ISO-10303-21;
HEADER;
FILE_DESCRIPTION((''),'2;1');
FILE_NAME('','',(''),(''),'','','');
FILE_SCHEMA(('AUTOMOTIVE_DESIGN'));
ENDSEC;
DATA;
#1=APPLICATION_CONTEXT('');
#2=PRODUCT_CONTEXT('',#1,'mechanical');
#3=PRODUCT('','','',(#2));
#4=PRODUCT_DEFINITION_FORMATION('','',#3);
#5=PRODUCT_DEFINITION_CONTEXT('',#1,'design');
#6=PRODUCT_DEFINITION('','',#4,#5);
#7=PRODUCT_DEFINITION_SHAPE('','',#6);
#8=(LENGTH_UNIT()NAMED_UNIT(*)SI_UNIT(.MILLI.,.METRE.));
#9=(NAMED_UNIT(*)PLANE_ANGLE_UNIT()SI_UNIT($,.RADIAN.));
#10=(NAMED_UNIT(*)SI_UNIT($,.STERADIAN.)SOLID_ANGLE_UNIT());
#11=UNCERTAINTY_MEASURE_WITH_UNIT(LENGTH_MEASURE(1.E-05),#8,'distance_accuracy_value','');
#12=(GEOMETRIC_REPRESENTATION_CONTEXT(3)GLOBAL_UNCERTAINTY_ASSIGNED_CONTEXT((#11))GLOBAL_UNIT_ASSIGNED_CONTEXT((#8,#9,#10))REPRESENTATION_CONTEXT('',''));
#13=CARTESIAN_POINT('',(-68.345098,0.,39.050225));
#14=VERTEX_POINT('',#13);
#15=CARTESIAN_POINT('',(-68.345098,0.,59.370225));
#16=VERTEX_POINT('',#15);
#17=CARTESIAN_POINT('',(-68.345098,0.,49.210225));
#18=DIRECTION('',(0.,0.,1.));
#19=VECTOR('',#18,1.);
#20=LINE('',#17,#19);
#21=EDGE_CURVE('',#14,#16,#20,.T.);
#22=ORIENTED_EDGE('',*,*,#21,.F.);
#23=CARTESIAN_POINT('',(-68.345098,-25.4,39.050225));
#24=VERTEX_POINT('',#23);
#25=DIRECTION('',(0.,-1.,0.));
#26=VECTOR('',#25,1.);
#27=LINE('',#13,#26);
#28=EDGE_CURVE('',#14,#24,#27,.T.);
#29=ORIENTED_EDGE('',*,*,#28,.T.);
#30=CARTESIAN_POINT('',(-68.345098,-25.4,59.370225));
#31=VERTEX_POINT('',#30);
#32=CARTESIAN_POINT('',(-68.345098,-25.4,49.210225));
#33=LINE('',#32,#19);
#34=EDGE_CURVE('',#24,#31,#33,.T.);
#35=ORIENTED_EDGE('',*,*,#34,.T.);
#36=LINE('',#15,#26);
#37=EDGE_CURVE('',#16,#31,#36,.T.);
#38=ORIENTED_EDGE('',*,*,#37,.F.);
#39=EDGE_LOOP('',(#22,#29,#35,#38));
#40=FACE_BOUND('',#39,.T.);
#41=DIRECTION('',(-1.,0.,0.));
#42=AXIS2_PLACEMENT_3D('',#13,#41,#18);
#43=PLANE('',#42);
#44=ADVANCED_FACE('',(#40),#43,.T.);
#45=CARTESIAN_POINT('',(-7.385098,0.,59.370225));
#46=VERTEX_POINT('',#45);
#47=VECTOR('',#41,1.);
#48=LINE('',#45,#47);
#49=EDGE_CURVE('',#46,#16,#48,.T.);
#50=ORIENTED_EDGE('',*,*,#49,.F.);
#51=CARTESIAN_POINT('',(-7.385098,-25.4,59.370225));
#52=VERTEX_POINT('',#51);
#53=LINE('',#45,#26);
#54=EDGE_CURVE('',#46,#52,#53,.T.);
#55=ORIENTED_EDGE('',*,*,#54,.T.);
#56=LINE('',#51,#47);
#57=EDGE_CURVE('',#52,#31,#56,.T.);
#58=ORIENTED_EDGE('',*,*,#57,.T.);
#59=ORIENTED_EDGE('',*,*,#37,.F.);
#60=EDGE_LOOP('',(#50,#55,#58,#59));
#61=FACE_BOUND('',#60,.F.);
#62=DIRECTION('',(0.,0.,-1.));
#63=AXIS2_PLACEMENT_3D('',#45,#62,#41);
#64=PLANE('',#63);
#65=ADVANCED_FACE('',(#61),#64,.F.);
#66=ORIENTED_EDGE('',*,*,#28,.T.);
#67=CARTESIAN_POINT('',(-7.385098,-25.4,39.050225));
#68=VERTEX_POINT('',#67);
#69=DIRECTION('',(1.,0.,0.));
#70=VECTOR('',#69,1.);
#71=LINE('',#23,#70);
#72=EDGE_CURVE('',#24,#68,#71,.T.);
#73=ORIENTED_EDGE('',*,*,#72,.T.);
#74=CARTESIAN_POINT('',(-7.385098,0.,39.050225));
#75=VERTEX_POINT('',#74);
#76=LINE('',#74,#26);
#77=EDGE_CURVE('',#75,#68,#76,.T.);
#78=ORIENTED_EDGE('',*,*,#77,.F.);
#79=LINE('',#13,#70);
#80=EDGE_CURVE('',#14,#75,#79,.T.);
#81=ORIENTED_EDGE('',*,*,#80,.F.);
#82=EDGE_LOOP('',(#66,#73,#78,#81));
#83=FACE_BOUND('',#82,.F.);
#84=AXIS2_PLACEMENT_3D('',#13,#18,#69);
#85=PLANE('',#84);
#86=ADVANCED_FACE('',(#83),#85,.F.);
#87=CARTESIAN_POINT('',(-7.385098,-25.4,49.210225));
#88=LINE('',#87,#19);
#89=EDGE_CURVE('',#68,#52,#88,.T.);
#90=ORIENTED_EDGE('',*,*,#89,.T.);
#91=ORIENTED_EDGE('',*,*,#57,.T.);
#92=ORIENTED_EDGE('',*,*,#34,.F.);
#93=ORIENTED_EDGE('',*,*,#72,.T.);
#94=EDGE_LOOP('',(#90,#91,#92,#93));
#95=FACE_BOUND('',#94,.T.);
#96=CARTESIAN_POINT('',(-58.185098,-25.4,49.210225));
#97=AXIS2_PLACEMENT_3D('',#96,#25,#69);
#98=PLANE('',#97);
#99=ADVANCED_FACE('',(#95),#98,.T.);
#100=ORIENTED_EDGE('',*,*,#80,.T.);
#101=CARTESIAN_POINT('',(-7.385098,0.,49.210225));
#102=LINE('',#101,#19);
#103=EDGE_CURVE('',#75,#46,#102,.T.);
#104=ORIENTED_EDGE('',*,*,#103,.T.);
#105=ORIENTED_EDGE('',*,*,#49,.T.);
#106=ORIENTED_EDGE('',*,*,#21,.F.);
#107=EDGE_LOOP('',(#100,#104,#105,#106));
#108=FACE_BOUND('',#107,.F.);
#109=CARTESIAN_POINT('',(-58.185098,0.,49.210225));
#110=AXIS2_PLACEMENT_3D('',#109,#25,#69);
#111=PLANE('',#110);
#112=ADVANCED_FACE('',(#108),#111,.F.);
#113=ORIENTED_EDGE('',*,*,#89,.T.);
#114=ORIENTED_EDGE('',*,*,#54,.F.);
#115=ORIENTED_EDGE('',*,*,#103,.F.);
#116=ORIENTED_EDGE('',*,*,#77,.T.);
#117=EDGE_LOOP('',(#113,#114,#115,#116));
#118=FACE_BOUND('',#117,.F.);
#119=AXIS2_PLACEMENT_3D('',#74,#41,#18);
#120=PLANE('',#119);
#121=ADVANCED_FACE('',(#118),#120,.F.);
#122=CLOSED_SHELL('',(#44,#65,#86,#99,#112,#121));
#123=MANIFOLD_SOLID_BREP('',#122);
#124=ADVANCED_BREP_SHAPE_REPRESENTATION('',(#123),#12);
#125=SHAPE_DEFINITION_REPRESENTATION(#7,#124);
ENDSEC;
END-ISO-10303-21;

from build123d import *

# Parameters (mm, degrees)
F0_W      = 20.32
F0_H      = 20.32
F0_H_2    = 20.1290453446
F1_DEPTH  = 25.4
F3_W      = 20.32
F3_H      = 20.32
F4_DEPTH  = 25.4
F5_R      = 7.62
F6_DEPTH  = 25.4
F7_R      = 6.35
F8_DEPTH  = 25.4
F9_R      = 6.35
F10_DEPTH = 25.4
F11_R     = 6.35
F12_DEPTH = 25.4


with BuildPart() as f1:
    # F0 (on Front) → F1 (new body)
    with BuildSketch(Plane.XZ):
        with Locations((-50.8, 47.9523509699)):
            Rectangle(F0_W, F0_H)
        with Locations((-30.48, 47.9523509699)):
            Rectangle(F0_W, F0_H)
        with Locations((-50.8, 27.6323509699)):
            Rectangle(F0_W, F0_H)
        Polygon((-20.32, 37.7923509699), (-40.64, 37.7923509699), (-40.64, 17.4723509699), (-20.32, 17.4723509699), (-20.32, 17.6633056253), align=None)
        with Locations((-10.16, 47.9523509699)):
            Rectangle(F0_W, F0_H)
        with Locations((-10.16, 27.7278282976)):
            Rectangle(F0_W, F0_H_2)
    extrude(amount=F1_DEPTH)


with BuildPart() as f4:
    # F3 (on Front) → F4 (new body)
    with BuildSketch(Plane.XZ):
        with Locations((-58.185097698, 49.2102251685)):
            Rectangle(F3_W, F3_H)
        with Locations((-37.865097698, 49.2102251685)):
            Rectangle(F3_W, F3_H)
        with Locations((-17.545097698, 49.2102251685)):
            Rectangle(F3_W, F3_H)
    extrude(amount=F4_DEPTH)

    # F5 (on Front) → F6 (cut)
    with BuildSketch(Plane.XZ):
        with Locations((-58.5276037455, 48.9798672497)):
            Circle(F5_R)
        with Locations((-38.4773612022, 48.9798672497)):
            Circle(F5_R)
        with Locations((-17.4723509699, 48.9798672497)):
            Circle(F5_R)
    extrude(amount=-F6_DEPTH, mode=Mode.SUBTRACT)

    # F7 (on Front) → F8 (cut)
    with BuildSketch(Plane.XZ):
        with Locations((-58.5276037455, 49.3617765605)):
            Circle(F7_R)
        with Locations((-40.5778624117, 49.3617765605)):
            Circle(F7_R)
        with Locations((-22.4371720105, 49.3617765605)):
            Circle(F7_R)
    extrude(amount=-F8_DEPTH, mode=Mode.SUBTRACT)

    # F9 (on Front) → F10 (cut)
    with BuildSketch(Plane.XZ):
        with Locations((-59.1004639864, 49.9346442521)):
            Circle(F9_R)
        with Locations((-41.1507301033, 49.9346442521)):
            Circle(F9_R)
        with Locations((-23.7738545984, 49.9346442521)):
            Circle(F9_R)
    extrude(amount=-F10_DEPTH, mode=Mode.SUBTRACT)

    # F11 (on Front) → F12 (cut)
    with BuildSketch(Plane.XZ):
        with Locations((-59.4823770225, 49.1708219051)):
            Circle(F11_R)
        with Locations((-41.9145487249, 49.1708219051)):
            Circle(F11_R)
        with Locations((-22.0552626997, 49.1708219051)):
            Circle(F11_R)
    extrude(amount=-F12_DEPTH, mode=Mode.SUBTRACT)


solid = f4.part
